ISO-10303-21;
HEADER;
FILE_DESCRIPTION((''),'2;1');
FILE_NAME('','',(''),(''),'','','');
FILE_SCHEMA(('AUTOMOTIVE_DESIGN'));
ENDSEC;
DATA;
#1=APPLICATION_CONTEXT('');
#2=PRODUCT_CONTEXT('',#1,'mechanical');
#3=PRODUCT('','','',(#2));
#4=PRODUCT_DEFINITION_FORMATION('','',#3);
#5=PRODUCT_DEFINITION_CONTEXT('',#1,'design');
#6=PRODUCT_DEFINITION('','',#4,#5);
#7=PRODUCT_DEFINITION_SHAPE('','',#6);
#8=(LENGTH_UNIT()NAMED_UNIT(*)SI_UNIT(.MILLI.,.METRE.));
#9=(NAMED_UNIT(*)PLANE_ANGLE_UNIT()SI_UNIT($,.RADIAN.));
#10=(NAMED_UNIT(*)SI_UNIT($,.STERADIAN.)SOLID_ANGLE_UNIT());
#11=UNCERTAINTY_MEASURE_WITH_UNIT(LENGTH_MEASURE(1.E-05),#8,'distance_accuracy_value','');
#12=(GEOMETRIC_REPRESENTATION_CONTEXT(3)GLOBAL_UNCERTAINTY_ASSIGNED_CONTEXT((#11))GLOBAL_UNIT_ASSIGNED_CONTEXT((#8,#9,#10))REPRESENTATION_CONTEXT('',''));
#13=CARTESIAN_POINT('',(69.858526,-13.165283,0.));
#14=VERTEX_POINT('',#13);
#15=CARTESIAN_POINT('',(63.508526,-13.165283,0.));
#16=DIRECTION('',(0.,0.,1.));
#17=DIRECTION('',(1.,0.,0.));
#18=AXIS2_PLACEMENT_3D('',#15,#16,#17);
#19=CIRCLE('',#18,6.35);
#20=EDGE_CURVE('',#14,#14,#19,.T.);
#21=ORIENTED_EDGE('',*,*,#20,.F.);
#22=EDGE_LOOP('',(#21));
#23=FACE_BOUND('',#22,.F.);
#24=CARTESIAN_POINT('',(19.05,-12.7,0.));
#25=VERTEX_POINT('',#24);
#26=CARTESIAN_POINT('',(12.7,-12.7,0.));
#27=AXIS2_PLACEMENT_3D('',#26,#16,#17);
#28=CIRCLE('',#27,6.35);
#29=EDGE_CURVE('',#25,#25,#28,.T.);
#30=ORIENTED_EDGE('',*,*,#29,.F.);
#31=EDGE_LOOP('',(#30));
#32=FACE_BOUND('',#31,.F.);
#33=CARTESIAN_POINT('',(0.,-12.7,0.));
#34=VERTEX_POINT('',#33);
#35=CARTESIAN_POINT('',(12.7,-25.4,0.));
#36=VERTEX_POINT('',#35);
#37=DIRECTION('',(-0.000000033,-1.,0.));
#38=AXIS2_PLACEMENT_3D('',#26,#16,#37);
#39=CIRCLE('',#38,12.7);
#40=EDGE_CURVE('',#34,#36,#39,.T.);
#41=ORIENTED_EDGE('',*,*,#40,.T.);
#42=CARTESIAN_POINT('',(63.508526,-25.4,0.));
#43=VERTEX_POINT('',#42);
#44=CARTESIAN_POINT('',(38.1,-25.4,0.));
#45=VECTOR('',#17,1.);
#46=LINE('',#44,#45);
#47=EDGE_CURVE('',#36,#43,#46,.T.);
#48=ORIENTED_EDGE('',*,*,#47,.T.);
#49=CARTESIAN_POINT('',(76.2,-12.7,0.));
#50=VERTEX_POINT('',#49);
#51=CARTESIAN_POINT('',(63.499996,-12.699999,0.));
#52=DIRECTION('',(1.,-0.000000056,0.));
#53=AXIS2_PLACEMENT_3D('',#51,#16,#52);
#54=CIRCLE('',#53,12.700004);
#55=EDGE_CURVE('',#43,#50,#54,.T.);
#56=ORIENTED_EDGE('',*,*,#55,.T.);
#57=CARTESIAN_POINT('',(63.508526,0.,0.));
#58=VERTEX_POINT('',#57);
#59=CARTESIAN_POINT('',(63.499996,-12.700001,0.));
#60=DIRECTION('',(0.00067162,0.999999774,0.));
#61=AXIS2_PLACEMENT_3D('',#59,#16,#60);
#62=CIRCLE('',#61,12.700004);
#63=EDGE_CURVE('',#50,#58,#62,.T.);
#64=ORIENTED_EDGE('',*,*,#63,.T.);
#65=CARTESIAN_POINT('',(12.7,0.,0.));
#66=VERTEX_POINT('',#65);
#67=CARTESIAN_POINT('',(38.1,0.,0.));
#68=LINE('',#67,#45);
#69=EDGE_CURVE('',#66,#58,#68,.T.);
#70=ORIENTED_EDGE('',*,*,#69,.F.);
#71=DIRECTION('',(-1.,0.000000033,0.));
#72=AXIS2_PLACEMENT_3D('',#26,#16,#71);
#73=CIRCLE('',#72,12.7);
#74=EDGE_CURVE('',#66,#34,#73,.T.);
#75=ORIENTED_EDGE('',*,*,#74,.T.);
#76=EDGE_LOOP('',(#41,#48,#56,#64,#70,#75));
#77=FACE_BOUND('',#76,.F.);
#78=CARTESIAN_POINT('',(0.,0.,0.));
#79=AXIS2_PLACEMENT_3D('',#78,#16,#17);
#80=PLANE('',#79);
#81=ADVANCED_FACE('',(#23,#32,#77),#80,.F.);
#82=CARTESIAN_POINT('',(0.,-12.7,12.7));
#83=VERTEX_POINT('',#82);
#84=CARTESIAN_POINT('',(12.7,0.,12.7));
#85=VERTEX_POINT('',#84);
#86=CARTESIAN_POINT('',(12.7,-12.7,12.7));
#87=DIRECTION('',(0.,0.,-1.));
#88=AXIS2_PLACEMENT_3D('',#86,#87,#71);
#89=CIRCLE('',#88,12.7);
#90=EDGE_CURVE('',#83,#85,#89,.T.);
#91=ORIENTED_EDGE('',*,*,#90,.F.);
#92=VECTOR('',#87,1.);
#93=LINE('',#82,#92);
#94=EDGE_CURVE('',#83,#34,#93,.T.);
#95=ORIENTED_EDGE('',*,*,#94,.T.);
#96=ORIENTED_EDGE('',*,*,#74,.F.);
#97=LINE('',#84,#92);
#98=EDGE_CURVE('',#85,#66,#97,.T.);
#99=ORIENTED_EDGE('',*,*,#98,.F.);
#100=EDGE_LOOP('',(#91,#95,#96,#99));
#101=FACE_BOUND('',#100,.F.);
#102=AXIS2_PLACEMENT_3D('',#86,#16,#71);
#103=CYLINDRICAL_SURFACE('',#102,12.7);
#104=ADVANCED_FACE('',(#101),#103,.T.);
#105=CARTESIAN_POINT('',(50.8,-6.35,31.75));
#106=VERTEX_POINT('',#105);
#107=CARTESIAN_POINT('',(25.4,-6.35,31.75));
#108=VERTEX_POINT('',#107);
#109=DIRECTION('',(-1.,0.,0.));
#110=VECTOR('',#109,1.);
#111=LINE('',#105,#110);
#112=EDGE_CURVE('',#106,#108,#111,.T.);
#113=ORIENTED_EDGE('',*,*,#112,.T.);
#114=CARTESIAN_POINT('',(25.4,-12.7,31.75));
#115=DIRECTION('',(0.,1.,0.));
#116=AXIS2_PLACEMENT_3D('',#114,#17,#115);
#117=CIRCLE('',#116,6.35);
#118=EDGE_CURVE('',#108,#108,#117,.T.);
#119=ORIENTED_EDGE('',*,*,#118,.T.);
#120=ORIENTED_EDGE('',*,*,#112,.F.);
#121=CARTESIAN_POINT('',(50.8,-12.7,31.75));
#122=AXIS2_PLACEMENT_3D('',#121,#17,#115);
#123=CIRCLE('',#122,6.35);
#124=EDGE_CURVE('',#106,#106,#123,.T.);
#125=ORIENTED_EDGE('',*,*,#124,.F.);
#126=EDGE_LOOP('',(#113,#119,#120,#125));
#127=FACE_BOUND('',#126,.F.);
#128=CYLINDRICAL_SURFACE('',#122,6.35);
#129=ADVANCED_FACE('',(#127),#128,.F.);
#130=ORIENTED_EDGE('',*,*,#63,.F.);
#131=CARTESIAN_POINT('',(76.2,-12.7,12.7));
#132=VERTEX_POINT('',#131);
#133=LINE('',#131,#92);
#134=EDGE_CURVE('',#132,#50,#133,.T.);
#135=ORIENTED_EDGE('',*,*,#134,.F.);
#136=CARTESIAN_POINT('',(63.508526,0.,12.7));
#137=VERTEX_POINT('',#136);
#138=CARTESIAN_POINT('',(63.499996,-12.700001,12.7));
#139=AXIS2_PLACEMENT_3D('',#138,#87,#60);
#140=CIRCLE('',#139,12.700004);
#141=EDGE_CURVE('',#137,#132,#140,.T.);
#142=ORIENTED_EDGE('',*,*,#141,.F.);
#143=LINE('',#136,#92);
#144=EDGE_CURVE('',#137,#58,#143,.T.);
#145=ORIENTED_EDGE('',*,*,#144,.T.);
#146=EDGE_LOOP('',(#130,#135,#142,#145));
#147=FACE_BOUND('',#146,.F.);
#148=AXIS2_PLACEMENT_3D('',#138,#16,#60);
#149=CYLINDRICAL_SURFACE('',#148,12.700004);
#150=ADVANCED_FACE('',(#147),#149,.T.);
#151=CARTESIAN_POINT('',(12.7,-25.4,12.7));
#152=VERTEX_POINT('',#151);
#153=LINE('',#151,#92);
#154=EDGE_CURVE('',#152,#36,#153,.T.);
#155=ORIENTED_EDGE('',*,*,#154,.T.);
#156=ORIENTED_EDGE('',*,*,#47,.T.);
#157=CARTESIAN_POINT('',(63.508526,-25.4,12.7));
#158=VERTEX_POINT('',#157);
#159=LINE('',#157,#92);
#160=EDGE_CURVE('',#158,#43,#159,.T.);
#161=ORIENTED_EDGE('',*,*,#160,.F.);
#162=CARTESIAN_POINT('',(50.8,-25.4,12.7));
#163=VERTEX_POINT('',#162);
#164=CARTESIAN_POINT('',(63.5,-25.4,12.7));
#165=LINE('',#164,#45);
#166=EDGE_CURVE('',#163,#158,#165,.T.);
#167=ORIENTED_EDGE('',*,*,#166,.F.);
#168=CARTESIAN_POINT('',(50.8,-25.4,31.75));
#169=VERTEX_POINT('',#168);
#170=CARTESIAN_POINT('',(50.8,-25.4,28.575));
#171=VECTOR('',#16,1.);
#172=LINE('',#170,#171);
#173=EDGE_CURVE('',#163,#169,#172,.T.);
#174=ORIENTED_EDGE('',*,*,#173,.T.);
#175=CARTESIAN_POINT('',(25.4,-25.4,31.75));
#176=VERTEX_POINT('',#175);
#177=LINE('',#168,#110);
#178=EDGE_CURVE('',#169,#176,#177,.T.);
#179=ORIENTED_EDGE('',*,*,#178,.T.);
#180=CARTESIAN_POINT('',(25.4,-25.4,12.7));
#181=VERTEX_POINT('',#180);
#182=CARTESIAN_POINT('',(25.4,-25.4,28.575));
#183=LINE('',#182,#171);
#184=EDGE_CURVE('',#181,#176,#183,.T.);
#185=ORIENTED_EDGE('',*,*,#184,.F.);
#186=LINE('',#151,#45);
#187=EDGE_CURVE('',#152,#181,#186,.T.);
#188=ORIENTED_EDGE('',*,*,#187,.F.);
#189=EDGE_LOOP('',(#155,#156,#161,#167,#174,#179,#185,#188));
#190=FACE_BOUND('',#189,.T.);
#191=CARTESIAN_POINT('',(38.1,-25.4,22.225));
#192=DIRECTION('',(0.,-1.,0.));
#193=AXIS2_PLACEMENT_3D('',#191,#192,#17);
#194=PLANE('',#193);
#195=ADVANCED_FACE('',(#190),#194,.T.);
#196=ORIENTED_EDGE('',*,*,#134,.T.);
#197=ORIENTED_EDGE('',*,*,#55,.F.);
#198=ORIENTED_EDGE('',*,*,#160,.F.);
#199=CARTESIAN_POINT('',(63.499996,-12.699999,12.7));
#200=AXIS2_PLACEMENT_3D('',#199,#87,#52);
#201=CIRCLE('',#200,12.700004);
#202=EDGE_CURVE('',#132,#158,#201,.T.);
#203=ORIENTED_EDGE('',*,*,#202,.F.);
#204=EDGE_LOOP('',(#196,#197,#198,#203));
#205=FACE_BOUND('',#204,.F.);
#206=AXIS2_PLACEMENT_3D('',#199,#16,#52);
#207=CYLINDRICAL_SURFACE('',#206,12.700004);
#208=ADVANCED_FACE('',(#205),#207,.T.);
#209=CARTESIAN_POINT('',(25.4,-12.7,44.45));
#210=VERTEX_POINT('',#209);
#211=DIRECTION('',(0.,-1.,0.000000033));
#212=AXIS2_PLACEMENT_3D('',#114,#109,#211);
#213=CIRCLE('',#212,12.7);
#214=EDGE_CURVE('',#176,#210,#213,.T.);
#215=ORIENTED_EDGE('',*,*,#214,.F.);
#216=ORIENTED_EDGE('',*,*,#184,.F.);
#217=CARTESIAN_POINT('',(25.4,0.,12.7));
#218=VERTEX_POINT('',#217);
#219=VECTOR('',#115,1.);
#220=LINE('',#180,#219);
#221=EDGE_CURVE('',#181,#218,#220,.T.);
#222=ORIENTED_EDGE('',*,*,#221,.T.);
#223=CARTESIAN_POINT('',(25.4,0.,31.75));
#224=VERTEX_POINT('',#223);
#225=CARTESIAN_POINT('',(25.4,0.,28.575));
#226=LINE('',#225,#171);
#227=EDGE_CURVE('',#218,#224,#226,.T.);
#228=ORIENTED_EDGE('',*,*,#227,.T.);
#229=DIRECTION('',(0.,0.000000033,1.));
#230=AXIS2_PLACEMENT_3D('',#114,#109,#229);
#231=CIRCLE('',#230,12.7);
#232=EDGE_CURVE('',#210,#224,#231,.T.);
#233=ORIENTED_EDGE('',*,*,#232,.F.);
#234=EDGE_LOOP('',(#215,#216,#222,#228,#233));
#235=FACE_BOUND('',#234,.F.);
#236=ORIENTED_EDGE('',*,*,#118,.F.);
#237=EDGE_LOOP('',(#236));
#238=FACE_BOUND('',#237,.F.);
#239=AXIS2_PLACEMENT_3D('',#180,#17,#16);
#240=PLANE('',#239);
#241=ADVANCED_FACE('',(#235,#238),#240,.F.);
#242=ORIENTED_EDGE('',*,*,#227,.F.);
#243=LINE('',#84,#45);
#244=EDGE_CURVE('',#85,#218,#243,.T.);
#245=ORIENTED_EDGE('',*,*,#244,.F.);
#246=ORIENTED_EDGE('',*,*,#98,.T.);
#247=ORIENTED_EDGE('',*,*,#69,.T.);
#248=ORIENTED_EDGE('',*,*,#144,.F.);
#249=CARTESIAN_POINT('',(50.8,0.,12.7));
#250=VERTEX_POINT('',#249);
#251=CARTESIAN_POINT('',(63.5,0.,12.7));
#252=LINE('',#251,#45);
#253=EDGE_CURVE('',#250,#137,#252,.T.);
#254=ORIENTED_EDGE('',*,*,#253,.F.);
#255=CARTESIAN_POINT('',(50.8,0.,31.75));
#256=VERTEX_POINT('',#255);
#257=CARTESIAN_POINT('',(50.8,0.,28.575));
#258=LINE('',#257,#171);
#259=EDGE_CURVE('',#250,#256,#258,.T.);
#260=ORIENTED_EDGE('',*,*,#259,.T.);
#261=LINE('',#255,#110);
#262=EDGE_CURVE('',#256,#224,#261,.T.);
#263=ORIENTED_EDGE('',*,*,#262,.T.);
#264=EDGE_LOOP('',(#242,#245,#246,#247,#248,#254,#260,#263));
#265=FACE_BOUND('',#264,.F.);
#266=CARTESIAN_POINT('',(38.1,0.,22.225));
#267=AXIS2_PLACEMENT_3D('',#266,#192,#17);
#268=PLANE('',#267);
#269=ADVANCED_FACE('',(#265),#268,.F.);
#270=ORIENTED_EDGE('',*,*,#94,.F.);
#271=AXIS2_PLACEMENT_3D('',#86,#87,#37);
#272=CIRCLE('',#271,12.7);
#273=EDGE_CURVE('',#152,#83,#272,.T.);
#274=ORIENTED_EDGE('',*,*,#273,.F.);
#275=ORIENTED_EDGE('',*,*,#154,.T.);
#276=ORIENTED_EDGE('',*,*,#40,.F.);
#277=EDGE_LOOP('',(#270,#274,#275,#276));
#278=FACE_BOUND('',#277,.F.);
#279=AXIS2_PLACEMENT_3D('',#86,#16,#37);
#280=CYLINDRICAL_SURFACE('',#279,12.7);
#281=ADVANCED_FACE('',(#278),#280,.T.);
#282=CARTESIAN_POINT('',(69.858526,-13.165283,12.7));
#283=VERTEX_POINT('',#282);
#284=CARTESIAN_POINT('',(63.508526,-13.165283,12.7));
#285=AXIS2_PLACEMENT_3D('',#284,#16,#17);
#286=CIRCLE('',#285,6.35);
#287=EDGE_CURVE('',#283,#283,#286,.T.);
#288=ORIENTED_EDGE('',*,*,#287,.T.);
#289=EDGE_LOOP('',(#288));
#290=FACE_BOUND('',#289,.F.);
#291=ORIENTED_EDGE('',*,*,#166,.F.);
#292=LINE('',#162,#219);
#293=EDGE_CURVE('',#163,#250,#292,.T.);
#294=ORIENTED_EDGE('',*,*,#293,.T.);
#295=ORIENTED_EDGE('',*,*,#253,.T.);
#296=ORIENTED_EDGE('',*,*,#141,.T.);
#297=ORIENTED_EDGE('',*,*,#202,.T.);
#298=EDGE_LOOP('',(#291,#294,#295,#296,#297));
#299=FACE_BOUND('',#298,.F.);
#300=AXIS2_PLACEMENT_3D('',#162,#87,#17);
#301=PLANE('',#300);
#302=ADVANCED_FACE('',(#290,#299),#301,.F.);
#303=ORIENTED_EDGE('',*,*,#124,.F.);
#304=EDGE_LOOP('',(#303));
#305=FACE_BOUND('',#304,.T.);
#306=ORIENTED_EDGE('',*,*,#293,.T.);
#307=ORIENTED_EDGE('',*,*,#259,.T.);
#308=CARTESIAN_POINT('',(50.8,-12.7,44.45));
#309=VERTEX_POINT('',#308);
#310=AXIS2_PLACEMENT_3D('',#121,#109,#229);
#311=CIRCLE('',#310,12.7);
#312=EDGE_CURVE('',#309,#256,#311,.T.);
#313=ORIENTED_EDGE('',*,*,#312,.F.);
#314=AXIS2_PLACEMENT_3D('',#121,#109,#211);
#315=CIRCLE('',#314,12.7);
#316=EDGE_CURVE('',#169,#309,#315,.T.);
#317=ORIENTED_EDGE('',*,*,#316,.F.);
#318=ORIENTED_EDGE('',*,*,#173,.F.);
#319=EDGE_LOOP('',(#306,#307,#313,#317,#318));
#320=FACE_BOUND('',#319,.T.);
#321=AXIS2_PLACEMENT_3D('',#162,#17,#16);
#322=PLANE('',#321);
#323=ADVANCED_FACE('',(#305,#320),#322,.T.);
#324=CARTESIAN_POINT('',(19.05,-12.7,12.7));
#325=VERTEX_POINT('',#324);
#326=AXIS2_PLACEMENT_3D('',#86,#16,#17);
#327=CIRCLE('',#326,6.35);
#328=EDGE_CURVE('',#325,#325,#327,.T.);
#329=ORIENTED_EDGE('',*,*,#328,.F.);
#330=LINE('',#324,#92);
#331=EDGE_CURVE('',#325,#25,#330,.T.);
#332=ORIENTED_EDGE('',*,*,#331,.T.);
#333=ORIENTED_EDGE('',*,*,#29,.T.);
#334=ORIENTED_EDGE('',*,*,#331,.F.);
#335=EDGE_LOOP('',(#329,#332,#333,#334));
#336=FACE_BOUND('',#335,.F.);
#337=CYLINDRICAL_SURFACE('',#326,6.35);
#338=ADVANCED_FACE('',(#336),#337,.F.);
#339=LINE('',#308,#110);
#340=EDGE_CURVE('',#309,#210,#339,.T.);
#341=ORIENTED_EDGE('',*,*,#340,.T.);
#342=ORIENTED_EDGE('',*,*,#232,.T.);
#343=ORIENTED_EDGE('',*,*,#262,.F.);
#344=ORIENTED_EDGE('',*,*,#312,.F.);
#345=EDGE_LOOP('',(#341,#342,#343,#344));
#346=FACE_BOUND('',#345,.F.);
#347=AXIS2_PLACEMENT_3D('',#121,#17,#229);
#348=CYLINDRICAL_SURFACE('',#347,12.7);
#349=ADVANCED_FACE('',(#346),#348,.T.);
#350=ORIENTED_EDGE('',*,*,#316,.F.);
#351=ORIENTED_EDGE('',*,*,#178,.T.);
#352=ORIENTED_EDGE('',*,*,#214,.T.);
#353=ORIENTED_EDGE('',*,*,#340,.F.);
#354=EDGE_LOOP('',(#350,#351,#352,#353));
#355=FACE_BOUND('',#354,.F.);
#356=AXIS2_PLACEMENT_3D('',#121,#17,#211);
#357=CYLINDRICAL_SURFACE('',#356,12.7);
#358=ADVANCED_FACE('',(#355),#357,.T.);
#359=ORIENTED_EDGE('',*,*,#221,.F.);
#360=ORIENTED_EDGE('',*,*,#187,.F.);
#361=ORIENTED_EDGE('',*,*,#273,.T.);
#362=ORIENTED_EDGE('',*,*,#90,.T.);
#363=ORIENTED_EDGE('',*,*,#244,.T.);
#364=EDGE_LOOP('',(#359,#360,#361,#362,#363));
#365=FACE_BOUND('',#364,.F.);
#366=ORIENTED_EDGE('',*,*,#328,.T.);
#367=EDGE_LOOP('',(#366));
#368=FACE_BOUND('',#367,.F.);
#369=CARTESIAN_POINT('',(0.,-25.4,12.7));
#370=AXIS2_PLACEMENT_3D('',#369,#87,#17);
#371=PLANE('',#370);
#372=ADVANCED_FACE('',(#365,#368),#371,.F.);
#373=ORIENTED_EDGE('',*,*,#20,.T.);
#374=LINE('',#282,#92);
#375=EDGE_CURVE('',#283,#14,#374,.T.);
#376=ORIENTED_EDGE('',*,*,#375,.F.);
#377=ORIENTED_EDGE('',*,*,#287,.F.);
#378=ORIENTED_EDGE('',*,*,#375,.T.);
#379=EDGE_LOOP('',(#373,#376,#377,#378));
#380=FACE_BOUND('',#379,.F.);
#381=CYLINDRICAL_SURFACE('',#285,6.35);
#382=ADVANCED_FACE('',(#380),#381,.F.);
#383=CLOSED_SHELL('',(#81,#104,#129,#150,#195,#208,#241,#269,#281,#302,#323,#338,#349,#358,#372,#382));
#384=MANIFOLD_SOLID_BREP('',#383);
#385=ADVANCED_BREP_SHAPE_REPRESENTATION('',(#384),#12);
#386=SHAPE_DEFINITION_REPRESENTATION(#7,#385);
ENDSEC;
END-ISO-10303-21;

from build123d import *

# Parameters (mm, degrees)
F0_W     = 76.2
F0_H     = 44.45
F1_DEPTH = 25.4
F2_W     = 25.4
F2_H     = 31.75
F3_DEPTH = 25.4
F4_R     = 6.35
F5_DEPTH = 25.4
F6_R     = 6.35
F7_DEPTH = 25.4
F8_R     = 6.35
F9_DEPTH = 25.4


with BuildPart() as f1:
    # F0 (on Front) → F1 (new body)
    with BuildSketch(Plane.XZ):
        with Locations((38.1, 22.225)):
            Rectangle(F0_W, F0_H)
    extrude(amount=F1_DEPTH)

    # F2 (on face) → F3 (cut)
    with BuildSketch(Plane.XZ.offset(25.4)):
        with Locations((12.7, 28.575)):
            Rectangle(F2_W, F2_H)
        with Locations((63.5, 28.575)):
            Rectangle(F2_W, F2_H)
    extrude(amount=-F3_DEPTH, mode=Mode.SUBTRACT)

    # F4 (on face) → F5 (cut)
    with BuildSketch(Plane.YZ.offset(50.8)):
        with Locations((-12.7, 31.75)):
            Circle(F4_R)
        with BuildLine():
            ThreePointArc((-12.7, 44.45), (-3.719744, 40.730256), (0, 31.75))
            Line((0, 31.75), (0, 44.45))
            Line((0, 44.45), (-12.7, 44.45))
        make_face()
        with BuildLine():
            ThreePointArc((-25.4, 31.75), (-21.680256, 40.730256), (-12.7, 44.45))
            Line((-12.7, 44.45), (-25.4, 44.45))
            Line((-25.4, 44.45), (-25.4, 31.75))
        make_face()
    extrude(amount=-F5_DEPTH, mode=Mode.SUBTRACT)

    # F6 (on face) → F7 (cut)
    with BuildSketch(Plane.XY.offset(12.7)):
        with Locations((12.7, -12.7)):
            Circle(F6_R)
        with BuildLine():
            ThreePointArc((12.7, -25.4), (3.719744, -21.680256), (0, -12.7))
            Line((0, -12.7), (0, -25.4))
            Line((0, -25.4), (12.7, -25.4))
        make_face()
        with BuildLine():
            ThreePointArc((0, -12.7), (3.719744, -3.719744), (12.7, 0))
            Line((12.7, 0), (0, 0))
            Line((0, 0), (0, -12.7))
        make_face()
    extrude(amount=-F7_DEPTH, mode=Mode.SUBTRACT)

    # F8 (on face) → F9 (cut)
    with BuildSketch(Plane.XY.offset(12.7)):
        with BuildLine():
            ThreePointArc((63.508526, 0), (72.48327, -3.722758), (76.2, -12.7))
            Line((76.2, -12.7), (76.2, 0))
            Line((76.2, 0), (63.508526, 0))
        make_face()
        with BuildLine():
            ThreePointArc((76.2, -12.7), (72.48327, -21.677242), (63.508526, -25.4))
            Line((63.508526, -25.4), (76.2, -25.4))
            Line((76.2, -25.4), (76.2, -12.7))
        make_face()
        with Locations((63.508526, -13.165283)):
            Circle(F8_R)
    extrude(amount=-F9_DEPTH, mode=Mode.SUBTRACT)


solid = f1.part
